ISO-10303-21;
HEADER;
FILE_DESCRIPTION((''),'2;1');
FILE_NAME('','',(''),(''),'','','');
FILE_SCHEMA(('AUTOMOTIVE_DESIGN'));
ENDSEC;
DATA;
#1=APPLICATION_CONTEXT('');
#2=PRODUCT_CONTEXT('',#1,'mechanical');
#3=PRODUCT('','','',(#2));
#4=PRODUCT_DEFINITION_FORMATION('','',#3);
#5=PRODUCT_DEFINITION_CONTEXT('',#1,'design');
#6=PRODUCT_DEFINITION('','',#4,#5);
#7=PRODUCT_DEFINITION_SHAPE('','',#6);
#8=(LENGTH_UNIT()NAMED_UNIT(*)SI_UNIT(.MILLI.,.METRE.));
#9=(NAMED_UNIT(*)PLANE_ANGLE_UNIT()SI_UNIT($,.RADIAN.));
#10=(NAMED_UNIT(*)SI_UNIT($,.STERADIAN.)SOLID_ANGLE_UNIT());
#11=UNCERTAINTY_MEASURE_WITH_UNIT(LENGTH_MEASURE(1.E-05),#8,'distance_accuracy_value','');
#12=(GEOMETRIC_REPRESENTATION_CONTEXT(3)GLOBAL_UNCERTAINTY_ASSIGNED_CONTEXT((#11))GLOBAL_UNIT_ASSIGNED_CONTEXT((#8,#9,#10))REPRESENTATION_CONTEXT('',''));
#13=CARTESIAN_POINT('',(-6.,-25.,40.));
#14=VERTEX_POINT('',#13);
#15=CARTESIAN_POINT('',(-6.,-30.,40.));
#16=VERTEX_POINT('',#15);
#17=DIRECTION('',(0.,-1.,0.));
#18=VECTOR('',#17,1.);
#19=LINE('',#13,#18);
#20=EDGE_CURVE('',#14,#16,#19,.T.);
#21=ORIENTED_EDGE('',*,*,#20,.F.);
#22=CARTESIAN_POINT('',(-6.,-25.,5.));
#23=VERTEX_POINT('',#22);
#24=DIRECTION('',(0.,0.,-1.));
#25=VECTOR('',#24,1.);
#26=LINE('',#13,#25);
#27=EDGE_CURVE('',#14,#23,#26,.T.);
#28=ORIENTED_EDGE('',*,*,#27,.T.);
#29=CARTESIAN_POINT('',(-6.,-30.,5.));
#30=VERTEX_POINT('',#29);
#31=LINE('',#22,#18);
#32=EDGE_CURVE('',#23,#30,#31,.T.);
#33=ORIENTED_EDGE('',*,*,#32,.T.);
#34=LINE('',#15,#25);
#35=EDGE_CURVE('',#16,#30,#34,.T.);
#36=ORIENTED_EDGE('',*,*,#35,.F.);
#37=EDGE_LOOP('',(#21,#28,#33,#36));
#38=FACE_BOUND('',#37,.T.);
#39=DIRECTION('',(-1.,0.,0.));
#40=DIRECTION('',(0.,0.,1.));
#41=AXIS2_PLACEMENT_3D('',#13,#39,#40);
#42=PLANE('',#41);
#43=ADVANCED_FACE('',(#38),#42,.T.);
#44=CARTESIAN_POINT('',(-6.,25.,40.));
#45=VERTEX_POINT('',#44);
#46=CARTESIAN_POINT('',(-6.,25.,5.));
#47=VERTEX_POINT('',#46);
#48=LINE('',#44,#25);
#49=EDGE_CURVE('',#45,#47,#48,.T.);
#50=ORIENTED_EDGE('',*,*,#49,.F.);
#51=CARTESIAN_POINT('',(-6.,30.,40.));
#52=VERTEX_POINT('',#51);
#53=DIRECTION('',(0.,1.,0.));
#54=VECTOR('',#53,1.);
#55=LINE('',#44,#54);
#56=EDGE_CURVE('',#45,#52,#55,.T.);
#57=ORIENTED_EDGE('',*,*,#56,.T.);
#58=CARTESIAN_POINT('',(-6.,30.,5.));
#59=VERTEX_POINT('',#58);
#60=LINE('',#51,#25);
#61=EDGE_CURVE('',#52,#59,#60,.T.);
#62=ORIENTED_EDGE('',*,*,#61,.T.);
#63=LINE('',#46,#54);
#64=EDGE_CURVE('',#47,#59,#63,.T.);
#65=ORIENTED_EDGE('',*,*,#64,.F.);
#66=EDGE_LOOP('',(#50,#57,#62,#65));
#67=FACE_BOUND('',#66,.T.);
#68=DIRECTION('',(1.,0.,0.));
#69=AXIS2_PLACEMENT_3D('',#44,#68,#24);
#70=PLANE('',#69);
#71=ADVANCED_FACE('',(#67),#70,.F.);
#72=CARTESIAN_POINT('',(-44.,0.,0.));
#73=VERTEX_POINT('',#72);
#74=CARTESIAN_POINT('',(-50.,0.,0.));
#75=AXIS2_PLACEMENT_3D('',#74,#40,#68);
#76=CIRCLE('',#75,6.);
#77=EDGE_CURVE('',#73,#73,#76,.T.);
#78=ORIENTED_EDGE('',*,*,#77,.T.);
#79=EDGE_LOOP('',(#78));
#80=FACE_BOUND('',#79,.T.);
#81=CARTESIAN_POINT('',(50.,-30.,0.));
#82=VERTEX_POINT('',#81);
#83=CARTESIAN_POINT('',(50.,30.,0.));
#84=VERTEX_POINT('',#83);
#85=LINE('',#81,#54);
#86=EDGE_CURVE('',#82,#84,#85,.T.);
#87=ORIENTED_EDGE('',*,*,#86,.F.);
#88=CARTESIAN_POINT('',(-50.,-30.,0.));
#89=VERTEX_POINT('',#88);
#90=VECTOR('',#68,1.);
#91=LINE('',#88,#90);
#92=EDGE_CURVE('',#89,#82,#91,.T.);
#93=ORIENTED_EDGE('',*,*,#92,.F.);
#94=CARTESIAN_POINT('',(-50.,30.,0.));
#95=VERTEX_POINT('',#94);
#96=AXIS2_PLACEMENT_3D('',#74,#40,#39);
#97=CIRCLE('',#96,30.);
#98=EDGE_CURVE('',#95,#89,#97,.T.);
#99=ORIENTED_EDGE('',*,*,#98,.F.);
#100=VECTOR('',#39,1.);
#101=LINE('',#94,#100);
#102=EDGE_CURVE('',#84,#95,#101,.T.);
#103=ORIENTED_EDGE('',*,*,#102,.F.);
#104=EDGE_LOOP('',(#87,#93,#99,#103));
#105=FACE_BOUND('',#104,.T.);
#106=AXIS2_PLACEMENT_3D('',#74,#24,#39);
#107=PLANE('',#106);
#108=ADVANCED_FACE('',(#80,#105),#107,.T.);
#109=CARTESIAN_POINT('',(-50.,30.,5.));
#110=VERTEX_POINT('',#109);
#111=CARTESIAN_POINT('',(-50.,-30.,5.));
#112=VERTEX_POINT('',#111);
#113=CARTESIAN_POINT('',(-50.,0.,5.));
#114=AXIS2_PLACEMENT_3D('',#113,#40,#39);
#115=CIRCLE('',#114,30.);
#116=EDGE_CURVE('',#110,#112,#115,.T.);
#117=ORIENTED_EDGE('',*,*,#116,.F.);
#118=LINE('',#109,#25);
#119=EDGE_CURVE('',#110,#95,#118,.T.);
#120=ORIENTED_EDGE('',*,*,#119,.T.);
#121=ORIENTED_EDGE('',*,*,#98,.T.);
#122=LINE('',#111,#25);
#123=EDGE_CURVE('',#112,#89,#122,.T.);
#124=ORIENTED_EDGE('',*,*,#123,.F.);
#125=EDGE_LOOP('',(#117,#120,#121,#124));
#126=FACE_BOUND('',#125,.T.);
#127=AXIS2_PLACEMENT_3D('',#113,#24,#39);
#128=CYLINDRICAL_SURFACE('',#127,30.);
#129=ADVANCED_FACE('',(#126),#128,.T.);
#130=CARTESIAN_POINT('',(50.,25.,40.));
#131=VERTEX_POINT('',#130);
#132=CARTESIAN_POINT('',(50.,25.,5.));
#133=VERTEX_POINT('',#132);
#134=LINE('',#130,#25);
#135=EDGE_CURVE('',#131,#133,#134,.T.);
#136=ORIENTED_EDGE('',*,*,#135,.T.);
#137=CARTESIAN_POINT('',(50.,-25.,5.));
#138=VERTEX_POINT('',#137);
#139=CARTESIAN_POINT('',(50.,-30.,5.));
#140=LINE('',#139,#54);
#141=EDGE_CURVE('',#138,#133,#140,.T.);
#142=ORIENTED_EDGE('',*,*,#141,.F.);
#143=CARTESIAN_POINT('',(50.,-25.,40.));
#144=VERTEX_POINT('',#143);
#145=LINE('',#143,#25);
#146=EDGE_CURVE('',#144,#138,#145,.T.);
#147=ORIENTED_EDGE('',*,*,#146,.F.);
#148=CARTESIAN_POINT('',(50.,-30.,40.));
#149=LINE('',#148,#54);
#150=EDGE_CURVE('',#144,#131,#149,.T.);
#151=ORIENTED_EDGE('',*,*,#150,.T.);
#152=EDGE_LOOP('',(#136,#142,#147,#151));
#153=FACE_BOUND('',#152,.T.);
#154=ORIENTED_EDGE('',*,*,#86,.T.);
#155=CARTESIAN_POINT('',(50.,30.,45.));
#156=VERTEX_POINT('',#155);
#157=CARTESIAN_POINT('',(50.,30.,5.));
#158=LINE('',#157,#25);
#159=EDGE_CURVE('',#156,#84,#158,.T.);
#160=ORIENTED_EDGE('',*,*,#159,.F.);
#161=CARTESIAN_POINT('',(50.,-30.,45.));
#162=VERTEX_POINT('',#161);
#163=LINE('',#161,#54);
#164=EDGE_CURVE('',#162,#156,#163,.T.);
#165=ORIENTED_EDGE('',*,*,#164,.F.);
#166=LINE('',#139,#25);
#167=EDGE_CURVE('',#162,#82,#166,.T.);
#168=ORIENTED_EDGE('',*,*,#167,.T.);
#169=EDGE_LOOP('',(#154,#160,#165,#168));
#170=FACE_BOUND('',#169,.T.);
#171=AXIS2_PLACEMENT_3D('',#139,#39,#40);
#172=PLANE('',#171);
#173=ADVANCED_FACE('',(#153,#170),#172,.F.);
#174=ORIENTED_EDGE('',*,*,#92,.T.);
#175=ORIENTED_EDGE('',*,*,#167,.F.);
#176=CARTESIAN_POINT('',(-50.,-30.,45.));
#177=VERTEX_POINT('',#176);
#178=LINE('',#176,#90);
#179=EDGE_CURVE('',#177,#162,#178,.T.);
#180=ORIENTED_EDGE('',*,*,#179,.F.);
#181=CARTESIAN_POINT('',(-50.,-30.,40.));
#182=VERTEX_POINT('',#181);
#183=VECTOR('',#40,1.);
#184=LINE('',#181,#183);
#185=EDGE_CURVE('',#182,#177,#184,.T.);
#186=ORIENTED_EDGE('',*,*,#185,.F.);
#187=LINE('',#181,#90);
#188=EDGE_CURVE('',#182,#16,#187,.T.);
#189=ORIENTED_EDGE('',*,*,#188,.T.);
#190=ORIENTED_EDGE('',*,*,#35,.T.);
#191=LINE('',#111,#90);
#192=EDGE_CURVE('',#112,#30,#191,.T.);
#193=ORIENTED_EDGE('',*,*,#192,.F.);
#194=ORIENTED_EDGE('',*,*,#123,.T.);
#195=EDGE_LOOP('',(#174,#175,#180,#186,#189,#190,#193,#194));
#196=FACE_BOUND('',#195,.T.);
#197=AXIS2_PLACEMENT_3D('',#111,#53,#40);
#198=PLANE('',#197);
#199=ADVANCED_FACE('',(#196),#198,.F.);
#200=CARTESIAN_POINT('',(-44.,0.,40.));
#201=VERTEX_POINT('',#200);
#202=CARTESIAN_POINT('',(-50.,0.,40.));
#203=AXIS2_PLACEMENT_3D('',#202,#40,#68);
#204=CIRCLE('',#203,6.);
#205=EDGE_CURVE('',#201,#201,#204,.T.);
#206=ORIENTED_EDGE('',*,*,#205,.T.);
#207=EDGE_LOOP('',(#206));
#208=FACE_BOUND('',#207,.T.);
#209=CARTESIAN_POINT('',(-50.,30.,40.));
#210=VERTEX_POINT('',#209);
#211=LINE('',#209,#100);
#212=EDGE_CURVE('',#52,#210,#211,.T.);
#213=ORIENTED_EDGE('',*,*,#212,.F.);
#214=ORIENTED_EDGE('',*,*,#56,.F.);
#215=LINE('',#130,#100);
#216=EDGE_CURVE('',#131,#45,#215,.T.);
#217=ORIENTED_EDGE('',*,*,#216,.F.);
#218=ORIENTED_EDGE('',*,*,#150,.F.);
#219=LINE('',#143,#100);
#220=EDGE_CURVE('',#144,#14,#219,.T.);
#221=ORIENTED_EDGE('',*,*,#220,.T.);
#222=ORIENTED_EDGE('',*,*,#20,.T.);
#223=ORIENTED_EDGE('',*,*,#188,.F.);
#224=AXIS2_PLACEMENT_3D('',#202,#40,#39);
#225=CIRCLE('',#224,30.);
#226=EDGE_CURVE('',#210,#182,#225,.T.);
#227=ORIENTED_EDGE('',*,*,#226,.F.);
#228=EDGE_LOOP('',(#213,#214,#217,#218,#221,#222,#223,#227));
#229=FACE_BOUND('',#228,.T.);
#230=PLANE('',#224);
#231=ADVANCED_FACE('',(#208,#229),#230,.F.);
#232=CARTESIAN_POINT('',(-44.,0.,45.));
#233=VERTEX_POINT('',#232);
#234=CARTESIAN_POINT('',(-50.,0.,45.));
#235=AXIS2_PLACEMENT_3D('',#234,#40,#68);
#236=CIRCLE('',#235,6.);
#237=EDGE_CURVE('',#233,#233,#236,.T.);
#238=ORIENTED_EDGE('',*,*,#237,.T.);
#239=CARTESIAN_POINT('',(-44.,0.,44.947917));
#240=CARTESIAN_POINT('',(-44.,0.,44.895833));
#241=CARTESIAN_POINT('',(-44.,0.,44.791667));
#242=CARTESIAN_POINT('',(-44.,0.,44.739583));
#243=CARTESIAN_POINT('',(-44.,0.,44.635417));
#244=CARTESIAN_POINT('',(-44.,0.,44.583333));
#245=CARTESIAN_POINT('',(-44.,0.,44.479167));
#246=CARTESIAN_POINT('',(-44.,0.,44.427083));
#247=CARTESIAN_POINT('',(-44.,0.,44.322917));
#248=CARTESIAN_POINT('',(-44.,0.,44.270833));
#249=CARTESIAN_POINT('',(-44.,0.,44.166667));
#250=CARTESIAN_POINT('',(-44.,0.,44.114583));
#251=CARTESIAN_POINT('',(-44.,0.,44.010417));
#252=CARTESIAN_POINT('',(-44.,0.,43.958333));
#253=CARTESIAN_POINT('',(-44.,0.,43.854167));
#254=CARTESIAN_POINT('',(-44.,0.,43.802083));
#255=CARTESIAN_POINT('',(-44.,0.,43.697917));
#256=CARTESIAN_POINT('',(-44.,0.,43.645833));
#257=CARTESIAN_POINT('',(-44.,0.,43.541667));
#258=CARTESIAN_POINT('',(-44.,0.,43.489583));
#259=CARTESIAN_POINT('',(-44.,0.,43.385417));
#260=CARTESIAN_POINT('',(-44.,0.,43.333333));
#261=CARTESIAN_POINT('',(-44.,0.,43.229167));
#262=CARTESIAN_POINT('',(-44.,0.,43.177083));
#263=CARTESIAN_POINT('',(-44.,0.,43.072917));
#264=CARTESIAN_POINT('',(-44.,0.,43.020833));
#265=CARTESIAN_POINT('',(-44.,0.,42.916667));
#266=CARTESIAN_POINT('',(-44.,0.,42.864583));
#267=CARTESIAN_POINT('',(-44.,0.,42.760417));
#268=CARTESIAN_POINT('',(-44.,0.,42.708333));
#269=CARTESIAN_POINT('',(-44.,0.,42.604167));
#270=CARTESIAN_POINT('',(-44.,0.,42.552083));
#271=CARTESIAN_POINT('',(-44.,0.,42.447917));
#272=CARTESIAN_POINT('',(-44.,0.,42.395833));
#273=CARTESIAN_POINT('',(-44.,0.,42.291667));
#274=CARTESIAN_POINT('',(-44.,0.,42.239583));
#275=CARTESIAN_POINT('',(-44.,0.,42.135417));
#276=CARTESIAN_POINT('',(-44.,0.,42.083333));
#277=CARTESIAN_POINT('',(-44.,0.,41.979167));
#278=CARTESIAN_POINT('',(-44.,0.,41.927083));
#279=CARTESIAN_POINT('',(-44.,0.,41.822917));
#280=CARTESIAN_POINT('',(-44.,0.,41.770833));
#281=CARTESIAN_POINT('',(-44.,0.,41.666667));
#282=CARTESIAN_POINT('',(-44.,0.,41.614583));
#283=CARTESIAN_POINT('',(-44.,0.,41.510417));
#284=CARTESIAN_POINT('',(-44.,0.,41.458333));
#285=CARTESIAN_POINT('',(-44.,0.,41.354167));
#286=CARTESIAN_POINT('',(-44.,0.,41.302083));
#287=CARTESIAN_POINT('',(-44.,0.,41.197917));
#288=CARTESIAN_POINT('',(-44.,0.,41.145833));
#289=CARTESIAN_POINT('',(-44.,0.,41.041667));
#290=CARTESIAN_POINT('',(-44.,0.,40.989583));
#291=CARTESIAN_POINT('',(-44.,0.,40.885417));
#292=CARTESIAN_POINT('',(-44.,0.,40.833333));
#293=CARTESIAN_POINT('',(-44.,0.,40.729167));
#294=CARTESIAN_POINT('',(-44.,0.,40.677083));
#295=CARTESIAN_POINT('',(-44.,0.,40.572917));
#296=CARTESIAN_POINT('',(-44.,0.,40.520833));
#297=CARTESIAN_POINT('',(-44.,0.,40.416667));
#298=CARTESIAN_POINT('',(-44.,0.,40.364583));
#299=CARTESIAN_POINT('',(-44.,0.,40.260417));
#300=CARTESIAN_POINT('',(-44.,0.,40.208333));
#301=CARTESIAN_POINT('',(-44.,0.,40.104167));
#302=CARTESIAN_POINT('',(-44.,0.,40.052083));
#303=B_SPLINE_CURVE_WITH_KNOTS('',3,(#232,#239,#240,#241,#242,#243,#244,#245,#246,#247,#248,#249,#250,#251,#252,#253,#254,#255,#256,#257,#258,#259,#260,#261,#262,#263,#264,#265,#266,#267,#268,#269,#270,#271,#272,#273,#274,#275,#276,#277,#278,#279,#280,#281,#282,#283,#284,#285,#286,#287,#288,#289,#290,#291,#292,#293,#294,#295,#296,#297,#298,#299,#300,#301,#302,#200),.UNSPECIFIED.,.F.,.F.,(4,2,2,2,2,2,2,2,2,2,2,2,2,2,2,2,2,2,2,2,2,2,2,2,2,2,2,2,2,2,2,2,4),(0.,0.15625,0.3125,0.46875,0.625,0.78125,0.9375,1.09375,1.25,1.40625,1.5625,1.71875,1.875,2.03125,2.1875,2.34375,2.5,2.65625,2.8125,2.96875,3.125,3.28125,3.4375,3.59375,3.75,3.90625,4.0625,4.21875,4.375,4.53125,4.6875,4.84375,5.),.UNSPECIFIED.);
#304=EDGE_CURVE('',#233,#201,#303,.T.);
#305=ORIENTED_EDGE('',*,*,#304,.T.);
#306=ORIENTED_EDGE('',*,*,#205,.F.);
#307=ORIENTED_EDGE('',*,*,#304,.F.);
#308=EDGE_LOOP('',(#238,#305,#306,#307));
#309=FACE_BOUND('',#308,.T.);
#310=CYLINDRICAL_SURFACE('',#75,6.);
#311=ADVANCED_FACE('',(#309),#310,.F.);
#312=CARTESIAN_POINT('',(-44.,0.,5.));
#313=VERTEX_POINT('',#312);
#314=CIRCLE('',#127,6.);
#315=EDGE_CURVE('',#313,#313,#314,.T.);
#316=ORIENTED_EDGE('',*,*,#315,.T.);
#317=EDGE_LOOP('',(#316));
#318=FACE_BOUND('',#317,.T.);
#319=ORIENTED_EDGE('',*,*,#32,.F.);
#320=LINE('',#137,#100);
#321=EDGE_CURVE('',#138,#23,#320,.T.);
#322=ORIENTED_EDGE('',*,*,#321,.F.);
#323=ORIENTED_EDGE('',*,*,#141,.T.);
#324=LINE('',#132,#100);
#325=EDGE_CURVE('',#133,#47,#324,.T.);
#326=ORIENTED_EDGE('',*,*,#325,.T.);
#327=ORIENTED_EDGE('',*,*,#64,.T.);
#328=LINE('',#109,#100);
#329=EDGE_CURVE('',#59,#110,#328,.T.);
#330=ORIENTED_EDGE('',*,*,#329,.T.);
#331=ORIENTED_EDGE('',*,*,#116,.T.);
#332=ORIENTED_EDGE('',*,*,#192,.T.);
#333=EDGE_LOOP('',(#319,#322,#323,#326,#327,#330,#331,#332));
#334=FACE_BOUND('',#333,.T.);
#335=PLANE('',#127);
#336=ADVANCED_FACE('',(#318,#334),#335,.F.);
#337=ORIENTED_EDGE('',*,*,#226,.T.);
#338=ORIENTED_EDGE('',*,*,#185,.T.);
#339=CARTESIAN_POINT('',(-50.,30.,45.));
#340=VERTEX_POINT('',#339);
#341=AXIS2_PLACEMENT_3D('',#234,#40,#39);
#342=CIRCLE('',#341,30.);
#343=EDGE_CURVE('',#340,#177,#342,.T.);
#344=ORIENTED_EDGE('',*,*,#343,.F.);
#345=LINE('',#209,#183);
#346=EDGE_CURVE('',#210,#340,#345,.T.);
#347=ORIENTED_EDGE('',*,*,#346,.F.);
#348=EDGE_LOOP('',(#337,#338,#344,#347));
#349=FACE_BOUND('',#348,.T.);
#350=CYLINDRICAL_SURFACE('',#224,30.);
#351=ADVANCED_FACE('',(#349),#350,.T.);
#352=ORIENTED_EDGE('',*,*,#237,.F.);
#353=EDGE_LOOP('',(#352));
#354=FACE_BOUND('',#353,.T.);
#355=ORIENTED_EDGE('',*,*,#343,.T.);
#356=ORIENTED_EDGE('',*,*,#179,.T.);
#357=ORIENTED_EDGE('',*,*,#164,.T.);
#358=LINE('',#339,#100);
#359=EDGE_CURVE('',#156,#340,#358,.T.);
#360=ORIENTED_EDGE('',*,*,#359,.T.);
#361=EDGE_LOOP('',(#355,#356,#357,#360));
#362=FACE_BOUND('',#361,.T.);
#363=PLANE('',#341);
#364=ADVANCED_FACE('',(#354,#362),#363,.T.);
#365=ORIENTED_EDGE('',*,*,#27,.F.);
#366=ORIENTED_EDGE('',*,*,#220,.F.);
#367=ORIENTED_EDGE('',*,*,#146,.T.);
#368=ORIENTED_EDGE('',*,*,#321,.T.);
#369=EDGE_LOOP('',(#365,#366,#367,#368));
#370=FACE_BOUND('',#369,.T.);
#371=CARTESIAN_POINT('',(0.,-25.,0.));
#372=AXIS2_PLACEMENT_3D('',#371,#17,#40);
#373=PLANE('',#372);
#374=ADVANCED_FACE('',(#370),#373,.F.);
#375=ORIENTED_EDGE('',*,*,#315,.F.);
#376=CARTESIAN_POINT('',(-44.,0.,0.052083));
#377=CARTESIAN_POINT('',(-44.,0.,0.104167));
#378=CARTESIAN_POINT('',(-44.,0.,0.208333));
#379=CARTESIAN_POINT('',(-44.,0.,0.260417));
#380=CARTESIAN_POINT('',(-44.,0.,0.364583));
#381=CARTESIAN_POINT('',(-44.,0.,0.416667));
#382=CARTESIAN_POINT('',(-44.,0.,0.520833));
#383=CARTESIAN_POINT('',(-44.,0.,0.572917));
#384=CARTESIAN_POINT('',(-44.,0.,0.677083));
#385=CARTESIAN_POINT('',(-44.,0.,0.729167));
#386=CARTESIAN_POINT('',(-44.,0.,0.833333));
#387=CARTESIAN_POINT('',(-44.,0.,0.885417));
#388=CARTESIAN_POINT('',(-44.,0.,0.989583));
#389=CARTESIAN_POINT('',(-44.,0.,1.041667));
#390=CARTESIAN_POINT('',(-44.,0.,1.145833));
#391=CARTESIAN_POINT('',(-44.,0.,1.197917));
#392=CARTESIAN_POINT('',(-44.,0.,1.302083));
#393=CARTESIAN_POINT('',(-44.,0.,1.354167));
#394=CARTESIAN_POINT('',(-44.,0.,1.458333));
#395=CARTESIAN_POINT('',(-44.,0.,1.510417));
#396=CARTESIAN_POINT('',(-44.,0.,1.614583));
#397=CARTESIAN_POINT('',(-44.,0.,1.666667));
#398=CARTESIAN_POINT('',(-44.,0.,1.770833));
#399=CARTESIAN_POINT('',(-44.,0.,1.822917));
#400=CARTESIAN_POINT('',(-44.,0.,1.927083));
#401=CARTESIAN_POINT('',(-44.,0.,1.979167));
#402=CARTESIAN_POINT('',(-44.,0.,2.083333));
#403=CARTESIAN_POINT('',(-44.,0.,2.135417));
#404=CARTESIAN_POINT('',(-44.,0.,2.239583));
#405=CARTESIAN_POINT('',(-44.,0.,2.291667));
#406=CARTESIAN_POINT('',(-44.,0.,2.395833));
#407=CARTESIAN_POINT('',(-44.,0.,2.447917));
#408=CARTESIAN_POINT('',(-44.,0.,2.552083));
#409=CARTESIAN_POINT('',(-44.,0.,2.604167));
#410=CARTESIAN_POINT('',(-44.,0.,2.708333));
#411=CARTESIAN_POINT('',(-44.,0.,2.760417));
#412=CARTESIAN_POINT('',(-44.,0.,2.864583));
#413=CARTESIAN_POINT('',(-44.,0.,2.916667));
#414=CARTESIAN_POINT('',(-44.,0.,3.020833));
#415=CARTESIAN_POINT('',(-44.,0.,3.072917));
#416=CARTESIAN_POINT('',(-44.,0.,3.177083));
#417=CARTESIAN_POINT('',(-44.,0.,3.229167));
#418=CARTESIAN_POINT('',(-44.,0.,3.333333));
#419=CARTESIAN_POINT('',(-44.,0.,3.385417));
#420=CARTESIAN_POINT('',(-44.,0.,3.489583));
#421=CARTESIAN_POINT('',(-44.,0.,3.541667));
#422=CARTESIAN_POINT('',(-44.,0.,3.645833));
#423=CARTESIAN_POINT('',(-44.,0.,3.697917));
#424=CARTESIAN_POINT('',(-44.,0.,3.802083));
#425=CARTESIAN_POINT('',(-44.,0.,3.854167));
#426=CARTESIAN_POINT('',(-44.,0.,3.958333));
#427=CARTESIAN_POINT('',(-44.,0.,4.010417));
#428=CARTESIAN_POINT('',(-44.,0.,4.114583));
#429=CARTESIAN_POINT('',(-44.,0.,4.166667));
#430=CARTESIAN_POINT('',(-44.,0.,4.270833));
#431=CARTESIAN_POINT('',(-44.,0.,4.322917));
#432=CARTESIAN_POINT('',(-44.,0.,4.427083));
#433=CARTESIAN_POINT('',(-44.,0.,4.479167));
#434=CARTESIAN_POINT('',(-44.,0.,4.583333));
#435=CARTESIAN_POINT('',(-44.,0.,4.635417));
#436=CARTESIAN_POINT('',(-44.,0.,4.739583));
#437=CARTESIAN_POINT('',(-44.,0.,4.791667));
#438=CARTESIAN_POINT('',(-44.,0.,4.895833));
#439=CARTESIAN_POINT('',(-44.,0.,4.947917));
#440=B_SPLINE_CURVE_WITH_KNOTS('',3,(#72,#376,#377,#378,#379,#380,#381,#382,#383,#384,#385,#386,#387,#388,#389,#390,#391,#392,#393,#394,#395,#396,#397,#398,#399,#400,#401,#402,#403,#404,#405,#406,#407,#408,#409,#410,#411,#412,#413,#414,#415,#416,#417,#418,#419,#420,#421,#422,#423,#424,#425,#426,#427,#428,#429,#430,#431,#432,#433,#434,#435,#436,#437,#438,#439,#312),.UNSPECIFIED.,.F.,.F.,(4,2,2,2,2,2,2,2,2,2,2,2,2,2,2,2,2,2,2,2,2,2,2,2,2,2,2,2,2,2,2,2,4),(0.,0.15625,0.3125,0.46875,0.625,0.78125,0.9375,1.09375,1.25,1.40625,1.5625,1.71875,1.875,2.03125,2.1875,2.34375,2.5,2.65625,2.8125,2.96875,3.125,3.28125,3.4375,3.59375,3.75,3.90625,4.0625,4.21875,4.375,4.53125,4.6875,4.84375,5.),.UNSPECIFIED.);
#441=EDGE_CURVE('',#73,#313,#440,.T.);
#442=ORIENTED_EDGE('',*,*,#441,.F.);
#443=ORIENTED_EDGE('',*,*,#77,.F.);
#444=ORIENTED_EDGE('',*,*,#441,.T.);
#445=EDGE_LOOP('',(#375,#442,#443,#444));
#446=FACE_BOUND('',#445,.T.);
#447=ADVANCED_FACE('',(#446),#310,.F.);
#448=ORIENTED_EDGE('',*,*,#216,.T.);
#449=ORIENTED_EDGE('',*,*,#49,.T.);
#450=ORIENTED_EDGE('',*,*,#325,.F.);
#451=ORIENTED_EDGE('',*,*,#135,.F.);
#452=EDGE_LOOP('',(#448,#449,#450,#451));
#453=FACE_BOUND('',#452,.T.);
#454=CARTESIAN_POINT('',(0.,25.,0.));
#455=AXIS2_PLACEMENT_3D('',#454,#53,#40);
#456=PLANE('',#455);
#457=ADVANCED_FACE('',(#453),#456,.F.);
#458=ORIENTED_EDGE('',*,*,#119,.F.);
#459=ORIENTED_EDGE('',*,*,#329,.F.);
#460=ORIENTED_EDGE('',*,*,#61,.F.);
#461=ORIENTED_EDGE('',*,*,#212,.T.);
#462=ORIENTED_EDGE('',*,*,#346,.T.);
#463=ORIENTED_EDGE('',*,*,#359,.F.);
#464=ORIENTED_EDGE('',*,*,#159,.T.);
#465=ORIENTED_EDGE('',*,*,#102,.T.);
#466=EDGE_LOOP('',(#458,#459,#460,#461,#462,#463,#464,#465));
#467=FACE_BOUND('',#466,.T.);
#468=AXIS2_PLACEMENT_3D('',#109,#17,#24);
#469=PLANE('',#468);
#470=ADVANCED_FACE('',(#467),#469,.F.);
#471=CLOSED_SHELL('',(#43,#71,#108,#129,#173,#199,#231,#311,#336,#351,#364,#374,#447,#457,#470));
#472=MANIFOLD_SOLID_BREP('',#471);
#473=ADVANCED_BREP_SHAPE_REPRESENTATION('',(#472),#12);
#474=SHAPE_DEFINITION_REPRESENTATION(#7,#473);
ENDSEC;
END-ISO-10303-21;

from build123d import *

# Parameters (mm, degrees)
DODANIE_WYCI_GNI_CIE1_DEPTH = 5
SZKIC2_W                    = 56
SZKIC2_H                    = 35
DODANIE_WYCI_GNI_CIE2_DEPTH = 5
SZKIC3_R                    = 6
WYTNIJ_WYCI_GNI_CIE1_DEPTH  = 97.566039579


with BuildPart() as part:
    # Szkic1 → Dodanie-wyciągnięcie1 (new body)
    with BuildSketch(Plane.XY):
        with BuildLine():
            Line((-50, -30), (50, -30))
            Line((50, -30), (50, 30))
            Line((50, 30), (-50, 30))
            ThreePointArc((-50, 30), (-80, 0), (-50, -30))
        make_face()
    extrude(amount=DODANIE_WYCI_GNI_CIE1_DEPTH)


with BuildPart() as body_2:
    # Lustro2: mirrored copy
    add(part.part.mirror(Plane.XY.offset(22.5)))


with BuildPart() as part_1:
    add(part.part)

    add(body_2.part)  # Dodanie-wyciągnięcie2 merges body 2
    # Szkic2 → Dodanie-wyciągnięcie2 (add)
    with BuildSketch(Plane(origin=(0, 30, 0), x_dir=(1, 0, 0), z_dir=(0, 1, 0))):
        with Locations((22, -22.5)):
            Rectangle(SZKIC2_W, SZKIC2_H)
    dodanie_wyci_gni_cie2 = extrude(amount=-DODANIE_WYCI_GNI_CIE2_DEPTH)

    # Lustro3: Dodanie-wyciągnięcie2 across plane
    add(dodanie_wyci_gni_cie2.mirror(Plane.ZX))

    # Szkic3 → Wytnij-wyciągnięcie1 (cut, through all)
    with BuildSketch(Plane.XY.offset(45)):
        with Locations((-50, 0)):
            Circle(SZKIC3_R)
    extrude(amount=-WYTNIJ_WYCI_GNI_CIE1_DEPTH, mode=Mode.SUBTRACT)


solid = part_1.part
